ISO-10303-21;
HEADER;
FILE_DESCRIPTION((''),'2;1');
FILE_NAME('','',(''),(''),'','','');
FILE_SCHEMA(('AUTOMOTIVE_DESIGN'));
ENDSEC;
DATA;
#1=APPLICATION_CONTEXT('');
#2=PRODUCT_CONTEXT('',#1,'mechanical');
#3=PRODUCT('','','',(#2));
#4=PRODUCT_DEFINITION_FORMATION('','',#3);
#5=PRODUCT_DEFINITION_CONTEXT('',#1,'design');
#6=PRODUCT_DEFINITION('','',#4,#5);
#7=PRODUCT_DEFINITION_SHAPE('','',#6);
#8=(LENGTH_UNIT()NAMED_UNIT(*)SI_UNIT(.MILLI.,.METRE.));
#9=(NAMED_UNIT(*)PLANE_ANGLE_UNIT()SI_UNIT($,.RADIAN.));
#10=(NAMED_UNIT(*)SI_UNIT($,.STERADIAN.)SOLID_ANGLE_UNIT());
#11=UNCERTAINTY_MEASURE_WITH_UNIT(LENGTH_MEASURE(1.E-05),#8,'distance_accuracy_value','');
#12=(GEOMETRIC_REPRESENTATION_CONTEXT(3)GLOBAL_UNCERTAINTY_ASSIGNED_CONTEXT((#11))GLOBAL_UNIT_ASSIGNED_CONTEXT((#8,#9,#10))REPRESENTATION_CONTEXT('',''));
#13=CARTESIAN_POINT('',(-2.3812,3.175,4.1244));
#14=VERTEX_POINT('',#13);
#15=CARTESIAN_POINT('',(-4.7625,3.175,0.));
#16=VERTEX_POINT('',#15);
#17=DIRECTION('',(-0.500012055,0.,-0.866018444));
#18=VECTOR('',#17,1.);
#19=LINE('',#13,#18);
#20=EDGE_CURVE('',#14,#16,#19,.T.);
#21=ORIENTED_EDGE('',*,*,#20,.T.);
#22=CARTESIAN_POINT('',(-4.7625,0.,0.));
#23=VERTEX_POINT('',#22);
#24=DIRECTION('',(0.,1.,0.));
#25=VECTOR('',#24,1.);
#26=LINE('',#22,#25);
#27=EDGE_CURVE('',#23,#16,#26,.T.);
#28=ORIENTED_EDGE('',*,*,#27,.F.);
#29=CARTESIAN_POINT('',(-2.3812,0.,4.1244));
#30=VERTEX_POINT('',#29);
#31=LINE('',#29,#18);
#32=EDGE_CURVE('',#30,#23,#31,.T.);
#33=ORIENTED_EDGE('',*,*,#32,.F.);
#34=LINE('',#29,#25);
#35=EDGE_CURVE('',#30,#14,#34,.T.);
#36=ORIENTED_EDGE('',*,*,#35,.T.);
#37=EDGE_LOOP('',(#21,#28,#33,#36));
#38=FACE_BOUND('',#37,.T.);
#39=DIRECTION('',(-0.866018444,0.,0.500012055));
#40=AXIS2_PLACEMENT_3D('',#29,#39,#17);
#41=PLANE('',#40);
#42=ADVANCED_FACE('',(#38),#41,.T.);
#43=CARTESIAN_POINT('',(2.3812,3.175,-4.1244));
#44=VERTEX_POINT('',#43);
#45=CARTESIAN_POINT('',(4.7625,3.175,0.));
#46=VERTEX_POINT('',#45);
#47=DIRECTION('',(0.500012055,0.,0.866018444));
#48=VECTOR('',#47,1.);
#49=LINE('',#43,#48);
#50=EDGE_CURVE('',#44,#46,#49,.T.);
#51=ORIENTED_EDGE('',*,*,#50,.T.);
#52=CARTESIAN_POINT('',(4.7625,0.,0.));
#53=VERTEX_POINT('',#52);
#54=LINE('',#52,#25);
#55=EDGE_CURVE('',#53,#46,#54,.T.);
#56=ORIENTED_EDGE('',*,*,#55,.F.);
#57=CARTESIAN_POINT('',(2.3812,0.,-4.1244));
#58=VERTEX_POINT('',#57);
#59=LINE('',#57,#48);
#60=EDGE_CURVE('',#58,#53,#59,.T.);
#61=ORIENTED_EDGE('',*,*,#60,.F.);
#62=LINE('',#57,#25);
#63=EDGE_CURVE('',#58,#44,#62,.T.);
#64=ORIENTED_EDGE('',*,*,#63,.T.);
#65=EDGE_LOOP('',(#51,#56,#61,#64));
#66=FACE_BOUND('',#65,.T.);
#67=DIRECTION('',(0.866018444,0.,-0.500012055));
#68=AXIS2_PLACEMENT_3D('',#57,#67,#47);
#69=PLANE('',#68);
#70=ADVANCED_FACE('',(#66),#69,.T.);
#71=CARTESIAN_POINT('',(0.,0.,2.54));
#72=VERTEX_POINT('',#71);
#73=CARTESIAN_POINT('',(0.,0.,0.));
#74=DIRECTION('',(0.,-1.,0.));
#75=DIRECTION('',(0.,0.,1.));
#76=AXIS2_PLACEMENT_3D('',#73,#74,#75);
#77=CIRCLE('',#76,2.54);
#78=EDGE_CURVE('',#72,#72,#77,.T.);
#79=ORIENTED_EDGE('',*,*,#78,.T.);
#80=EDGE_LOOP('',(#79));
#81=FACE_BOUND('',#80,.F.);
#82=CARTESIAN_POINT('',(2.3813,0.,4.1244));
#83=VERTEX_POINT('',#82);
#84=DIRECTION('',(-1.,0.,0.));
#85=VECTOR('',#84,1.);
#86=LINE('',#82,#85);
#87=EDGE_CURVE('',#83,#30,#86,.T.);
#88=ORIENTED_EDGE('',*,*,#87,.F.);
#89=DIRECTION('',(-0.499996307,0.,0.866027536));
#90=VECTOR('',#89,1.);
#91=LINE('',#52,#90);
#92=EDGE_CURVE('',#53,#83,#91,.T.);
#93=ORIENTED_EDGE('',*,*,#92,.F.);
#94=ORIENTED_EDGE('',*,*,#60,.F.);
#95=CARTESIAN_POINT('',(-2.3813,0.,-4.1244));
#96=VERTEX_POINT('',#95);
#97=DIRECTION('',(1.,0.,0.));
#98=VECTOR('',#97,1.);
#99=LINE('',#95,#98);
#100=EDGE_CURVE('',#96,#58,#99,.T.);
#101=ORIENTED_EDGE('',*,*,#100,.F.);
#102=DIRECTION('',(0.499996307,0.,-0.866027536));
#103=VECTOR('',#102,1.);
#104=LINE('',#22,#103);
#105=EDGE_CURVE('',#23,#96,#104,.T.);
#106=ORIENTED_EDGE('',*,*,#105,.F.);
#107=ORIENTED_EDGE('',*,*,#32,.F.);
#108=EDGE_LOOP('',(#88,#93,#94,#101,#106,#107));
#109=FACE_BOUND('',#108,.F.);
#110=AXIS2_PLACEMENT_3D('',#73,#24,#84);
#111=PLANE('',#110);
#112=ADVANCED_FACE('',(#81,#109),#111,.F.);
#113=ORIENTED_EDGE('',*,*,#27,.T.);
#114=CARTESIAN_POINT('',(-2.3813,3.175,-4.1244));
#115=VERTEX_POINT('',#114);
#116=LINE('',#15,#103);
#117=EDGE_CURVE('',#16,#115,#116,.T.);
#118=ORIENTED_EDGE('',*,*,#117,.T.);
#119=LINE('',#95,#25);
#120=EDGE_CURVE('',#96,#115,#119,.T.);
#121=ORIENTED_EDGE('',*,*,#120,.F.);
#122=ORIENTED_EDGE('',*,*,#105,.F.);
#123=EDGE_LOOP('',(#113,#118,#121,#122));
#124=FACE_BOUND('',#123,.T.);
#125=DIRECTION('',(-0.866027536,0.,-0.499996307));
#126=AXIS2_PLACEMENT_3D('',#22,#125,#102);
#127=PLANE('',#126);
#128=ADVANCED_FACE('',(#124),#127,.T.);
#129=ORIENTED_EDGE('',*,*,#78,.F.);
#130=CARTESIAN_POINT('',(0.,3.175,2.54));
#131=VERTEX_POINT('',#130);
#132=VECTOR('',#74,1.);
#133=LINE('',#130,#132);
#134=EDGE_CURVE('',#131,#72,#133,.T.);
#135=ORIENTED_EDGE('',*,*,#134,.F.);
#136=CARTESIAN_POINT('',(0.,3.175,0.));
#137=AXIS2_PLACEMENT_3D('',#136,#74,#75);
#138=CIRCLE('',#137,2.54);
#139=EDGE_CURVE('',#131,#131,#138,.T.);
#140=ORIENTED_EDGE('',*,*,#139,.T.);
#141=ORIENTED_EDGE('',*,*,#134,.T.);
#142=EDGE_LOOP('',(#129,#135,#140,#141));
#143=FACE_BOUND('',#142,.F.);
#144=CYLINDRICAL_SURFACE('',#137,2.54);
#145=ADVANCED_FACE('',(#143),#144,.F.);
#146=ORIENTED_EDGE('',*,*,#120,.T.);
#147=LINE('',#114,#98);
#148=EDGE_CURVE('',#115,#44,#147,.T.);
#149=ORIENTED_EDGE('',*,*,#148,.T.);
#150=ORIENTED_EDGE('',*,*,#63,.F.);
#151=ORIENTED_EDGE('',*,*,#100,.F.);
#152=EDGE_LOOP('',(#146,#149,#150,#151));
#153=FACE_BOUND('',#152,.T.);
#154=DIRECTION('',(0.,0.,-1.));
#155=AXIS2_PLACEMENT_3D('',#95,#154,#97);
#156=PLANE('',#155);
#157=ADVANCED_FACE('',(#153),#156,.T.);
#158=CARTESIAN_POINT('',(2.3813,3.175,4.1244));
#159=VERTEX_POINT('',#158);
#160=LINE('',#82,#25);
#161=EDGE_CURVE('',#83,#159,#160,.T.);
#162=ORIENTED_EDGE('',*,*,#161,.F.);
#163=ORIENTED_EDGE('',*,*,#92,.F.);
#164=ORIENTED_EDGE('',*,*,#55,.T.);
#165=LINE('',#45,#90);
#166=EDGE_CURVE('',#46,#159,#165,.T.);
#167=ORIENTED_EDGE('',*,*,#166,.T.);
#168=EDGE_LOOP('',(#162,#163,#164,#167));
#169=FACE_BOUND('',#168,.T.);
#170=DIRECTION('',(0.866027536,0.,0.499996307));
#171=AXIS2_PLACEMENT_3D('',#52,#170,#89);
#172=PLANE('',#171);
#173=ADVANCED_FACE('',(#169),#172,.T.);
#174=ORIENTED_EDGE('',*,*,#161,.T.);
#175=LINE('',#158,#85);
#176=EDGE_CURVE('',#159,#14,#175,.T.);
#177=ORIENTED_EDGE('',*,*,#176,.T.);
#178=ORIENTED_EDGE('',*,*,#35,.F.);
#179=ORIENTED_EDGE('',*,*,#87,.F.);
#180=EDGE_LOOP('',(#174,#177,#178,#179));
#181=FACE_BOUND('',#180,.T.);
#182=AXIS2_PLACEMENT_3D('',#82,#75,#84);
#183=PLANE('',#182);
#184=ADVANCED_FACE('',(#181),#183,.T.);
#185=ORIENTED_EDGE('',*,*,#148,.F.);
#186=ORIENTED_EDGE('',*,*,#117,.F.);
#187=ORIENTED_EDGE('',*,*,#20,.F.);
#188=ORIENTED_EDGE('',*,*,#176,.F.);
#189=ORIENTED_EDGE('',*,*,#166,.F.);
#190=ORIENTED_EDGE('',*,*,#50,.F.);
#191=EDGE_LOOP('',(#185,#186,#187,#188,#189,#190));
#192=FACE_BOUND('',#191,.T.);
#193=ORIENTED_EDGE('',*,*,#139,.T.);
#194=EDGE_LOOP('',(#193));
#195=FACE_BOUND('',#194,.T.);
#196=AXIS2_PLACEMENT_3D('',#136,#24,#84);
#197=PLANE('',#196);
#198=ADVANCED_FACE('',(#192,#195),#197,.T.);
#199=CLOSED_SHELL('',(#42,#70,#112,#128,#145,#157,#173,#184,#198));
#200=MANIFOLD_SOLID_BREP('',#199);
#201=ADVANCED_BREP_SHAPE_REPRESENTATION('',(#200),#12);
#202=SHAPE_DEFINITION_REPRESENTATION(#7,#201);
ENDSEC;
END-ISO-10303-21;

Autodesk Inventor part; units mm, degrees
ref_plane "YZ Plane" through (0, 0, 0) normal (1, 0, 0) x (0, 1, 0)
ref_plane "XZ Plane" through (0, 0, 0) normal (0, 1, 0) x (-1, 0, 0)
ref_plane "XY Plane" through (0, 0, 0) normal (0, 0, 1) x (1, 0, 0)
sketch "Sketch1" plane through (0, 0, 0) normal (0, 1, 0) x (-1, 0, 0)
  line L0 (4.7625, 0) -> (2.3813, -4.1244)
  line L1 (2.3813, -4.1244) -> (-2.3812, -4.1244)
  line L2 (-2.3812, -4.1244) -> (-4.7625, 0)
  line L3 (-4.7625, 0) -> (-2.3813, 4.1244)
  line L4 (-2.3813, 4.1244) -> (2.3812, 4.1244)
  line L5 (2.3812, 4.1244) -> (4.7625, 0)
  point P0 (0, 0)
  point P1 (0, 0)
extrude "Extrusion1" add sketch "Sketch1" along normal blind 3.175
sketch "Sketch2" plane through (0, 3.175, 0) normal (0, 1, 0) x (1, 0, 0)
  circle A0 centre (0, 0) radius 2.54
  dimension "d3" = 5.08
hole "Hole1" at (0, 3.175, 0) direction (0, -1, 0) diameter 5.08 end through all
thread "Thread1" size "12-24 UNC" class "2B" standard "ANSI Unified Screw Threads" full length
properties part number "Nut"
